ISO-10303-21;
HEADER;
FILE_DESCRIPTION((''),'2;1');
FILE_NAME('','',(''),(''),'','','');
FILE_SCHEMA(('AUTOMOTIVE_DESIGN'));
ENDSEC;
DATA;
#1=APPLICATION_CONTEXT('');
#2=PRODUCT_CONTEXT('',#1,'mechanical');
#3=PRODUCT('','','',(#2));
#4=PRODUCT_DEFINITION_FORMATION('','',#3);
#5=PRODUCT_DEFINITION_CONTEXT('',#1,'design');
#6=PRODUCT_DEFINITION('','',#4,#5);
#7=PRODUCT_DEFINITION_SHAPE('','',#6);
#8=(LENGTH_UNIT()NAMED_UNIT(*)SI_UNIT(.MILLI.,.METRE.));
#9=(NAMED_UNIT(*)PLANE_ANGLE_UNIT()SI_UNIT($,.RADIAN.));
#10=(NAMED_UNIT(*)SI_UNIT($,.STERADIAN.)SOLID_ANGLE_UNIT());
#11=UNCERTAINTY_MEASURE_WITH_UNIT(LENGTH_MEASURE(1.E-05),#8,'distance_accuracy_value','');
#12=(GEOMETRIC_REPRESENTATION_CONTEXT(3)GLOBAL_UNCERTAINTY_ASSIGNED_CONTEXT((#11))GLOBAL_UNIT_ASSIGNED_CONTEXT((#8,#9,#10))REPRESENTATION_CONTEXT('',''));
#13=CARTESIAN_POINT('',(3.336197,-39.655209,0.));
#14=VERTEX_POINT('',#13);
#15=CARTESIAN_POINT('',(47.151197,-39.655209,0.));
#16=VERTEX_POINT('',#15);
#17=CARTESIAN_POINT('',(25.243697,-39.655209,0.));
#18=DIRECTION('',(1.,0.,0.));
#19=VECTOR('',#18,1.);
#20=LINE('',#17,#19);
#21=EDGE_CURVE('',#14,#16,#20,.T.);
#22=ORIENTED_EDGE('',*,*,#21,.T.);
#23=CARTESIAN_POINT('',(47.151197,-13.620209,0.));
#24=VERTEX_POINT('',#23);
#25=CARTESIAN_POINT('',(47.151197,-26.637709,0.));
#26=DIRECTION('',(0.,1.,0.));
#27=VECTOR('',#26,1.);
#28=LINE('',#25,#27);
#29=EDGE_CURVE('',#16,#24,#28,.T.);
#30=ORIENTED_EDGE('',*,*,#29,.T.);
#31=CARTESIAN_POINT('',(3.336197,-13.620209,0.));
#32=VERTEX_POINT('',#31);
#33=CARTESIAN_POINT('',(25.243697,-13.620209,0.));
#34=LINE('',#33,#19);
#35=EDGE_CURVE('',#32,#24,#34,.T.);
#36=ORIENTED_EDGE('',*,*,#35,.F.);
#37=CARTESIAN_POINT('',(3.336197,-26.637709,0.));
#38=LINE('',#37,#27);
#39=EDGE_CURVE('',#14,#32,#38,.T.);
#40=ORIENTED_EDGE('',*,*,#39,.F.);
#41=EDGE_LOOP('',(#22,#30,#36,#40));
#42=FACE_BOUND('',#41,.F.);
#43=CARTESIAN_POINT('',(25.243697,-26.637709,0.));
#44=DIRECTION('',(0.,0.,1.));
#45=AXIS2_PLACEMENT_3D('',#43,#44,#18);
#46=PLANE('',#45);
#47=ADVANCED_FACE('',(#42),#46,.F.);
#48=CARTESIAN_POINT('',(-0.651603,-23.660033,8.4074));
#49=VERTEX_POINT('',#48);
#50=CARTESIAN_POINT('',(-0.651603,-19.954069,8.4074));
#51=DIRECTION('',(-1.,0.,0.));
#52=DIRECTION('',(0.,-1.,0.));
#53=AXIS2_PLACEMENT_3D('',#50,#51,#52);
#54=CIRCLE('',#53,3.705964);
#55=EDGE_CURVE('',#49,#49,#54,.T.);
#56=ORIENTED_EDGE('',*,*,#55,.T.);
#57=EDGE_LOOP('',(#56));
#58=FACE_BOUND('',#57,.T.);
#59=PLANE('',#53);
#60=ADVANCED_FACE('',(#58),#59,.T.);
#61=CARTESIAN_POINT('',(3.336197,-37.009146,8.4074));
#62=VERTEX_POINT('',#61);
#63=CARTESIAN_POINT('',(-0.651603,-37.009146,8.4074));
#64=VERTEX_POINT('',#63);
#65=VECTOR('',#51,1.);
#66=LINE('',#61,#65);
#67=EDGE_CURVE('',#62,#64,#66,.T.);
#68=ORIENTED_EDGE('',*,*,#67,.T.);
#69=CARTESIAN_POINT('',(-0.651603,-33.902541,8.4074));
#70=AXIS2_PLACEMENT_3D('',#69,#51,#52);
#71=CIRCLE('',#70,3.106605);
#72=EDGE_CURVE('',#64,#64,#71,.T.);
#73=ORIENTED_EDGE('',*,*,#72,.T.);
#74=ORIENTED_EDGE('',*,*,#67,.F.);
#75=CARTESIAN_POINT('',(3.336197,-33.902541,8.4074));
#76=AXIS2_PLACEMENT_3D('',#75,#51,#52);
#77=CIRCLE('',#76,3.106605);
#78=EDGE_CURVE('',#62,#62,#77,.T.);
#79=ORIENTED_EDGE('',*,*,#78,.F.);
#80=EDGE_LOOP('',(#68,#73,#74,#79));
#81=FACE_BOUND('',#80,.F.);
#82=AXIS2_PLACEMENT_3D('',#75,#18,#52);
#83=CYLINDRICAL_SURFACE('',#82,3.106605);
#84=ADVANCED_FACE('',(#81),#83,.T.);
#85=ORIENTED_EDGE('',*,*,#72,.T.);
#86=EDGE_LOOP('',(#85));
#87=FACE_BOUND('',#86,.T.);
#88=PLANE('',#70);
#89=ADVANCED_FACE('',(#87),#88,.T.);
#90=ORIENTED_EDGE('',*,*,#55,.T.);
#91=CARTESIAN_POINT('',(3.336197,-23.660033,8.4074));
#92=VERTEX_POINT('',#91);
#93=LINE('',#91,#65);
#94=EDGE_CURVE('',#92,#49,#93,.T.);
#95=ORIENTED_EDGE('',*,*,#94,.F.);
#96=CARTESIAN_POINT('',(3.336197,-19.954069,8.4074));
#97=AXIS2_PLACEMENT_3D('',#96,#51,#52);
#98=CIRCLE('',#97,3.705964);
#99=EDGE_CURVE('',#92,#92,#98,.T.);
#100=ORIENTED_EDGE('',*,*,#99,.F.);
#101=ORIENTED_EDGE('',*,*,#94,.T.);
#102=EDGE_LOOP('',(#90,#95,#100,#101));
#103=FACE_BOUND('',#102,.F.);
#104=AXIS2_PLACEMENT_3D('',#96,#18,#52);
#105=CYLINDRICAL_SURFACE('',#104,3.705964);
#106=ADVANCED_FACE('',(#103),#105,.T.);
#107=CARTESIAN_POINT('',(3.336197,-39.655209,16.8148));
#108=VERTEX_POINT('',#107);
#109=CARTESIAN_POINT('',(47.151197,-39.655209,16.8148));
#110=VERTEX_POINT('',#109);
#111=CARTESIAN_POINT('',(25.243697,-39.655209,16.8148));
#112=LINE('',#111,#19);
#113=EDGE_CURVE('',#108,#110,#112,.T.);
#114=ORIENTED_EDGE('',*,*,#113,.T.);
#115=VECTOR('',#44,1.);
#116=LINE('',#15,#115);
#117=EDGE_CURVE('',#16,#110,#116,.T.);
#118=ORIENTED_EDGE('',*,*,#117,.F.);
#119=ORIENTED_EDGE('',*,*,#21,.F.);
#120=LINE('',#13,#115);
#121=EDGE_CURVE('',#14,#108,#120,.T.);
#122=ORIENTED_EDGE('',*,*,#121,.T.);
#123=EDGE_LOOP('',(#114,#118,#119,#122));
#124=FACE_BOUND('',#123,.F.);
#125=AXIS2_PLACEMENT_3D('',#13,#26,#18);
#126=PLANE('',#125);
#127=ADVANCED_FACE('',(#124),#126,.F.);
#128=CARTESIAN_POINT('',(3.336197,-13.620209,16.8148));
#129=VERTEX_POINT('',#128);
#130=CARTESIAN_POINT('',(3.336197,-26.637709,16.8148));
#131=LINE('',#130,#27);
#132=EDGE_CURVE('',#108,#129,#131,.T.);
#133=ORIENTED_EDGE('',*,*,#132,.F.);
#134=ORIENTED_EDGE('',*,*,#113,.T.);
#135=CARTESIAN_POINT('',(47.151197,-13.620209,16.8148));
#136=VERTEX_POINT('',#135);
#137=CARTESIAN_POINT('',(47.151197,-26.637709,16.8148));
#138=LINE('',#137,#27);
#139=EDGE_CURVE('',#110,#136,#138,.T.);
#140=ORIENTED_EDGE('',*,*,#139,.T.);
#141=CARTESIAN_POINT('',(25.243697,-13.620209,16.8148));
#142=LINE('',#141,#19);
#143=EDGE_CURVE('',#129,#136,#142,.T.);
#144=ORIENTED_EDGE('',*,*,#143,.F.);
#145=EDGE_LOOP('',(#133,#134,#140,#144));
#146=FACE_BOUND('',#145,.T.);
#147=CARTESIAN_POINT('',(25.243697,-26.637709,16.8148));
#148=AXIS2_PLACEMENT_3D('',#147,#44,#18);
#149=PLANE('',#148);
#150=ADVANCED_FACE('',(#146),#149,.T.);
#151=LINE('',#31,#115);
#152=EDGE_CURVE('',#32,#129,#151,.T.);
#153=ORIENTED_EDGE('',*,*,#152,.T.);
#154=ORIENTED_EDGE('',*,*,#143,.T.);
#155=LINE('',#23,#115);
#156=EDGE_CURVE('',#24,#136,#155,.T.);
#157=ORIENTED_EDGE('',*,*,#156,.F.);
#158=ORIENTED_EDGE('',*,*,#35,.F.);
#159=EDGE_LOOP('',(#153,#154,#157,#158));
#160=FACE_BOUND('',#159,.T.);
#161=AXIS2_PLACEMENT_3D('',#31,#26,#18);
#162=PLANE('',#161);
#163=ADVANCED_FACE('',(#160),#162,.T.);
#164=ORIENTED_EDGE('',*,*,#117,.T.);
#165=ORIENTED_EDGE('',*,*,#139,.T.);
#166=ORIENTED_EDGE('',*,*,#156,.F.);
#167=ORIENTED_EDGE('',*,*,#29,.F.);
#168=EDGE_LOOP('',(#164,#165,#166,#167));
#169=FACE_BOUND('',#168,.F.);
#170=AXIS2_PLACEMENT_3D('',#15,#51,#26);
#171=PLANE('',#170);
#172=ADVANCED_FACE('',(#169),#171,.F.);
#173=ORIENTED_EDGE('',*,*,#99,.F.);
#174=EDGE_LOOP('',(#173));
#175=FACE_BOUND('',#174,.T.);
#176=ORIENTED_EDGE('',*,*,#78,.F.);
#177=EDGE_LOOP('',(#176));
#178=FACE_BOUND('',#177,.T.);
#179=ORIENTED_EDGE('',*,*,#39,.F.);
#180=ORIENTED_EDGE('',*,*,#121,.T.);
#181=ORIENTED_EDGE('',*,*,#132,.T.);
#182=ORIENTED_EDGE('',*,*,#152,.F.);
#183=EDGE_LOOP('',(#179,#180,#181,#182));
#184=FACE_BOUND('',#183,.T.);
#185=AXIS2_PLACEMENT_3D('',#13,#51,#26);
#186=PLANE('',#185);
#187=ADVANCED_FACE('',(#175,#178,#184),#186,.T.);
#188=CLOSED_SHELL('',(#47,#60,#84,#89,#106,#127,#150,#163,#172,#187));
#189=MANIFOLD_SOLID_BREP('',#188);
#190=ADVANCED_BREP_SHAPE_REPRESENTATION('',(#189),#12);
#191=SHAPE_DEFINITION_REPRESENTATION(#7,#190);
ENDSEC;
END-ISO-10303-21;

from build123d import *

# Parameters (mm, degrees)
F0_W     = 43.815
F0_H     = 26.035
F1_DEPTH = 16.8148
F2_R     = 3.705964
F2_R_2   = 3.106605
F3_DEPTH = 3.9878


with BuildPart() as f1:
    # F0 (on Top) → F1 (new body)
    with BuildSketch(Plane.XY):
        with Locations((25.243697, -26.637709)):
            Rectangle(F0_W, F0_H)
    extrude(amount=F1_DEPTH)

    # F2 (on face) → F3 (join)
    with BuildSketch(Plane(origin=(3.336197, 0, 0), x_dir=(0, -1, 0), z_dir=(-1, 0, 0))):
        with Locations((19.954069, 8.4074)):
            Circle(F2_R)
        with Locations((33.902541, 8.4074)):
            Circle(F2_R_2)
    extrude(amount=F3_DEPTH)


solid = f1.part
